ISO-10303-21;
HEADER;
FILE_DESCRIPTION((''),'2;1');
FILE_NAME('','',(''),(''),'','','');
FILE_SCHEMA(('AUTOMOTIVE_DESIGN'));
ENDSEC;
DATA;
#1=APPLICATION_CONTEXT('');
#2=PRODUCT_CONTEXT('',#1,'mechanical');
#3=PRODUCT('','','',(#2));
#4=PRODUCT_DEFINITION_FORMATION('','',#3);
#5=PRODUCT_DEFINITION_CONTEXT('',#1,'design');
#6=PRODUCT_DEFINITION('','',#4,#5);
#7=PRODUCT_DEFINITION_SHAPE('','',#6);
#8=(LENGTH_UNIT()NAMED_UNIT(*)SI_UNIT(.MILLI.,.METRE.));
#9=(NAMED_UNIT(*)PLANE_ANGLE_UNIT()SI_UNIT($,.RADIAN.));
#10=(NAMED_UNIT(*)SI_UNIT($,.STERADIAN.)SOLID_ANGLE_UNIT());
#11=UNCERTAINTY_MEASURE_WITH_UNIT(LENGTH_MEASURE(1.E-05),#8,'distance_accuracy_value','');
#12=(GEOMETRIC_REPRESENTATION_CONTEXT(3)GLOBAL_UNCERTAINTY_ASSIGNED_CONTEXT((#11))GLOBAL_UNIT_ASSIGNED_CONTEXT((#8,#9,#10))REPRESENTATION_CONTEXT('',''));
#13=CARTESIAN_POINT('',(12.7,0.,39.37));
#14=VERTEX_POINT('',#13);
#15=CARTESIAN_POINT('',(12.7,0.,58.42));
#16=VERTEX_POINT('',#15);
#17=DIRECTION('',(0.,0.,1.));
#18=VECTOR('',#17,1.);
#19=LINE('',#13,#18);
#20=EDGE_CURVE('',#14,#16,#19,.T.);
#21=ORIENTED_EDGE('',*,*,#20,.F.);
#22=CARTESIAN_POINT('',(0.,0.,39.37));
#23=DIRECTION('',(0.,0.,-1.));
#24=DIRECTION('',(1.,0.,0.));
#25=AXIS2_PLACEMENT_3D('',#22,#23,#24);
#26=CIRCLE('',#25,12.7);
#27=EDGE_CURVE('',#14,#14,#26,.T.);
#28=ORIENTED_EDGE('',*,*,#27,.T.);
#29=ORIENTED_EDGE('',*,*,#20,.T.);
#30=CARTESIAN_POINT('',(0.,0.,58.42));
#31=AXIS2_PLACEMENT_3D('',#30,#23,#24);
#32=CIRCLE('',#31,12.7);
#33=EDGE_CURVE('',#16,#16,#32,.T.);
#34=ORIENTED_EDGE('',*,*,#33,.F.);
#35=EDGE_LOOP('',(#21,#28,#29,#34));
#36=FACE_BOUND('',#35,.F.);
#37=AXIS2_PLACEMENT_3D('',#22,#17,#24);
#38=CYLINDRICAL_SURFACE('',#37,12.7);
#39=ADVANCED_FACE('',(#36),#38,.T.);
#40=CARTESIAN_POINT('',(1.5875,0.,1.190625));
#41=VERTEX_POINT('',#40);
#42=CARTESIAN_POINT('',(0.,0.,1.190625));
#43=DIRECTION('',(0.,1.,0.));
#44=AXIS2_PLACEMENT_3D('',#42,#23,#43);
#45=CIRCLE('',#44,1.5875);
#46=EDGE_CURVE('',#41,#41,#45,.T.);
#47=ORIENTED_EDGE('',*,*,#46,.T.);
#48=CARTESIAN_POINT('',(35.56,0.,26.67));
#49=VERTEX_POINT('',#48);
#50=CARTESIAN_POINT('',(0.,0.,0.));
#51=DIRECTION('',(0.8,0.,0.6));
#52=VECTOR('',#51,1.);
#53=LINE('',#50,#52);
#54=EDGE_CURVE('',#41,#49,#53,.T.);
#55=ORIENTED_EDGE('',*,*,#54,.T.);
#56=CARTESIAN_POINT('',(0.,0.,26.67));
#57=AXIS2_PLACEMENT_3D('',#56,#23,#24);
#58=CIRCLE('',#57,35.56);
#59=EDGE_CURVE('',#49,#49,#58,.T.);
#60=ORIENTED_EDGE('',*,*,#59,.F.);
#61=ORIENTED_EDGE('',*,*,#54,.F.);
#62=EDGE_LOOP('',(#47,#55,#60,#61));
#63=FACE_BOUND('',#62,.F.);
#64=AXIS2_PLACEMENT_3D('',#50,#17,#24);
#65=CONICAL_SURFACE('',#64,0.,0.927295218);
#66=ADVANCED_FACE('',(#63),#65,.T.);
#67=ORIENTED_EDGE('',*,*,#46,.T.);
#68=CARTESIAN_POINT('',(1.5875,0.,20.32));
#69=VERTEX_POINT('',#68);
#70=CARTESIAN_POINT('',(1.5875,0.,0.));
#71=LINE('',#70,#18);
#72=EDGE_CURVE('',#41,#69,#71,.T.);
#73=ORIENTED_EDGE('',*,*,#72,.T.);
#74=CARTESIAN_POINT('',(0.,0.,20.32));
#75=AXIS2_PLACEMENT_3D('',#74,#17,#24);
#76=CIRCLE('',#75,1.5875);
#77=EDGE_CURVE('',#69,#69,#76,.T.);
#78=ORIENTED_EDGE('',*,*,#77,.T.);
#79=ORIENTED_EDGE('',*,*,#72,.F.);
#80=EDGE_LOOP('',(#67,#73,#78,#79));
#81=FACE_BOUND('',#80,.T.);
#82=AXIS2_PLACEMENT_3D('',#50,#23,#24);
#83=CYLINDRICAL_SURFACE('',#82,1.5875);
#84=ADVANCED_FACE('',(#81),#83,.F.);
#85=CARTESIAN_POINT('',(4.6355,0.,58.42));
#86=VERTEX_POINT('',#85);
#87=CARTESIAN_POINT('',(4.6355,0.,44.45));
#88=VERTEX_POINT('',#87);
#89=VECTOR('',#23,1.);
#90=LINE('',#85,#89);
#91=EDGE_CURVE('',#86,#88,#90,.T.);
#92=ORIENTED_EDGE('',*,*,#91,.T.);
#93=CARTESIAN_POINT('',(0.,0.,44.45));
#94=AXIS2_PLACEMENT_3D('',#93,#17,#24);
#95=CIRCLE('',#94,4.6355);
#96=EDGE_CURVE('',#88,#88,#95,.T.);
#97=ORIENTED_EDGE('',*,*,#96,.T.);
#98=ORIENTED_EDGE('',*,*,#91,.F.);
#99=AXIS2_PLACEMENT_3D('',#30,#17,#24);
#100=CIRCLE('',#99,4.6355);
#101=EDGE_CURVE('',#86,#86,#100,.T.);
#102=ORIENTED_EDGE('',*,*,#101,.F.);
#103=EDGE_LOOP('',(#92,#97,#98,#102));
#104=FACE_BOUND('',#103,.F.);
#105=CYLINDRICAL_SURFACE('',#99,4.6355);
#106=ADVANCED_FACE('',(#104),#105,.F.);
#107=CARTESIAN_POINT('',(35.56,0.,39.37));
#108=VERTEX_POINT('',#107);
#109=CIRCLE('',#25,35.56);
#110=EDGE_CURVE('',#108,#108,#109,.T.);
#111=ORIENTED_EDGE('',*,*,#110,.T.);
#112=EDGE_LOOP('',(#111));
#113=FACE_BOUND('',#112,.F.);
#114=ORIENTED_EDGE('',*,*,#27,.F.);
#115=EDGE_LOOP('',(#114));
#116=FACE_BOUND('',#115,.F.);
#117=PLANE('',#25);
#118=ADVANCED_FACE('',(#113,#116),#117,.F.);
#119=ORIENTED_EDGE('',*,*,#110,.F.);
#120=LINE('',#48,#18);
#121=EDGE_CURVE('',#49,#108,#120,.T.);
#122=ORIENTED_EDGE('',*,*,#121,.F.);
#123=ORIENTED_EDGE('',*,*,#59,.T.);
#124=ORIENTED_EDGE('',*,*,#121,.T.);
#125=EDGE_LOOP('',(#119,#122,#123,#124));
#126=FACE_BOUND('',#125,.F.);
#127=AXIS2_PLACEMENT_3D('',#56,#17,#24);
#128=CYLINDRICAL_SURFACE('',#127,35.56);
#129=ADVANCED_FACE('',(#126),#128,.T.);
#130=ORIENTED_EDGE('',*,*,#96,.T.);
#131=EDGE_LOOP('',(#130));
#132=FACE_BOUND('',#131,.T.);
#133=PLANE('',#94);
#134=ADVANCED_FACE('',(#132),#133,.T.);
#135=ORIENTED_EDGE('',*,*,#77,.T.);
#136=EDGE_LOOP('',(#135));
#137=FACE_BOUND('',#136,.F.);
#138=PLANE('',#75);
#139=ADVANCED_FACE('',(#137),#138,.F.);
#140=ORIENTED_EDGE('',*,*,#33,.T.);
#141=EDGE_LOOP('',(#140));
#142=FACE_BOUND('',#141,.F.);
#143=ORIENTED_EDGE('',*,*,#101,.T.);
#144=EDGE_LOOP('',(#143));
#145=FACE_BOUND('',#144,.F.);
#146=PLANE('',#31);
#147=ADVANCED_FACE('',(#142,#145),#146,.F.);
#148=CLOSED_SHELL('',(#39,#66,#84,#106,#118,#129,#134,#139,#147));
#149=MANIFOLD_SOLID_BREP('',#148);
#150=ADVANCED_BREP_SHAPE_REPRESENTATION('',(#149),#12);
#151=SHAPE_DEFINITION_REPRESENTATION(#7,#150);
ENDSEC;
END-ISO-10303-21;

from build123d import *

# Parameters (mm, degrees)
F2_R     = 4.6355
F3_DEPTH = 13.97
F4_R     = 1.5875
F5_DEPTH = 20.32


with BuildPart() as f1:
    # F0 (on Front) → F1 (revolve)
    with BuildSketch(Plane.XZ):
        Polygon((0, 58.42), (0, 0), (35.56, 26.67), (35.56, 39.37), (12.7, 39.37), (12.7, 58.42), align=None)
    revolve(axis=Axis((0, 0, 29.21), (0, 0, -1)))

    # F2 (on face) → F3 (cut)
    with BuildSketch(Plane.XY.offset(58.42)):
        Circle(F2_R)
    extrude(amount=-F3_DEPTH, mode=Mode.SUBTRACT)

    # F4 (on Top) → F5 (cut)
    with BuildSketch(Plane.XY):
        Circle(F4_R)
    extrude(amount=F5_DEPTH, mode=Mode.SUBTRACT)


solid = f1.part
